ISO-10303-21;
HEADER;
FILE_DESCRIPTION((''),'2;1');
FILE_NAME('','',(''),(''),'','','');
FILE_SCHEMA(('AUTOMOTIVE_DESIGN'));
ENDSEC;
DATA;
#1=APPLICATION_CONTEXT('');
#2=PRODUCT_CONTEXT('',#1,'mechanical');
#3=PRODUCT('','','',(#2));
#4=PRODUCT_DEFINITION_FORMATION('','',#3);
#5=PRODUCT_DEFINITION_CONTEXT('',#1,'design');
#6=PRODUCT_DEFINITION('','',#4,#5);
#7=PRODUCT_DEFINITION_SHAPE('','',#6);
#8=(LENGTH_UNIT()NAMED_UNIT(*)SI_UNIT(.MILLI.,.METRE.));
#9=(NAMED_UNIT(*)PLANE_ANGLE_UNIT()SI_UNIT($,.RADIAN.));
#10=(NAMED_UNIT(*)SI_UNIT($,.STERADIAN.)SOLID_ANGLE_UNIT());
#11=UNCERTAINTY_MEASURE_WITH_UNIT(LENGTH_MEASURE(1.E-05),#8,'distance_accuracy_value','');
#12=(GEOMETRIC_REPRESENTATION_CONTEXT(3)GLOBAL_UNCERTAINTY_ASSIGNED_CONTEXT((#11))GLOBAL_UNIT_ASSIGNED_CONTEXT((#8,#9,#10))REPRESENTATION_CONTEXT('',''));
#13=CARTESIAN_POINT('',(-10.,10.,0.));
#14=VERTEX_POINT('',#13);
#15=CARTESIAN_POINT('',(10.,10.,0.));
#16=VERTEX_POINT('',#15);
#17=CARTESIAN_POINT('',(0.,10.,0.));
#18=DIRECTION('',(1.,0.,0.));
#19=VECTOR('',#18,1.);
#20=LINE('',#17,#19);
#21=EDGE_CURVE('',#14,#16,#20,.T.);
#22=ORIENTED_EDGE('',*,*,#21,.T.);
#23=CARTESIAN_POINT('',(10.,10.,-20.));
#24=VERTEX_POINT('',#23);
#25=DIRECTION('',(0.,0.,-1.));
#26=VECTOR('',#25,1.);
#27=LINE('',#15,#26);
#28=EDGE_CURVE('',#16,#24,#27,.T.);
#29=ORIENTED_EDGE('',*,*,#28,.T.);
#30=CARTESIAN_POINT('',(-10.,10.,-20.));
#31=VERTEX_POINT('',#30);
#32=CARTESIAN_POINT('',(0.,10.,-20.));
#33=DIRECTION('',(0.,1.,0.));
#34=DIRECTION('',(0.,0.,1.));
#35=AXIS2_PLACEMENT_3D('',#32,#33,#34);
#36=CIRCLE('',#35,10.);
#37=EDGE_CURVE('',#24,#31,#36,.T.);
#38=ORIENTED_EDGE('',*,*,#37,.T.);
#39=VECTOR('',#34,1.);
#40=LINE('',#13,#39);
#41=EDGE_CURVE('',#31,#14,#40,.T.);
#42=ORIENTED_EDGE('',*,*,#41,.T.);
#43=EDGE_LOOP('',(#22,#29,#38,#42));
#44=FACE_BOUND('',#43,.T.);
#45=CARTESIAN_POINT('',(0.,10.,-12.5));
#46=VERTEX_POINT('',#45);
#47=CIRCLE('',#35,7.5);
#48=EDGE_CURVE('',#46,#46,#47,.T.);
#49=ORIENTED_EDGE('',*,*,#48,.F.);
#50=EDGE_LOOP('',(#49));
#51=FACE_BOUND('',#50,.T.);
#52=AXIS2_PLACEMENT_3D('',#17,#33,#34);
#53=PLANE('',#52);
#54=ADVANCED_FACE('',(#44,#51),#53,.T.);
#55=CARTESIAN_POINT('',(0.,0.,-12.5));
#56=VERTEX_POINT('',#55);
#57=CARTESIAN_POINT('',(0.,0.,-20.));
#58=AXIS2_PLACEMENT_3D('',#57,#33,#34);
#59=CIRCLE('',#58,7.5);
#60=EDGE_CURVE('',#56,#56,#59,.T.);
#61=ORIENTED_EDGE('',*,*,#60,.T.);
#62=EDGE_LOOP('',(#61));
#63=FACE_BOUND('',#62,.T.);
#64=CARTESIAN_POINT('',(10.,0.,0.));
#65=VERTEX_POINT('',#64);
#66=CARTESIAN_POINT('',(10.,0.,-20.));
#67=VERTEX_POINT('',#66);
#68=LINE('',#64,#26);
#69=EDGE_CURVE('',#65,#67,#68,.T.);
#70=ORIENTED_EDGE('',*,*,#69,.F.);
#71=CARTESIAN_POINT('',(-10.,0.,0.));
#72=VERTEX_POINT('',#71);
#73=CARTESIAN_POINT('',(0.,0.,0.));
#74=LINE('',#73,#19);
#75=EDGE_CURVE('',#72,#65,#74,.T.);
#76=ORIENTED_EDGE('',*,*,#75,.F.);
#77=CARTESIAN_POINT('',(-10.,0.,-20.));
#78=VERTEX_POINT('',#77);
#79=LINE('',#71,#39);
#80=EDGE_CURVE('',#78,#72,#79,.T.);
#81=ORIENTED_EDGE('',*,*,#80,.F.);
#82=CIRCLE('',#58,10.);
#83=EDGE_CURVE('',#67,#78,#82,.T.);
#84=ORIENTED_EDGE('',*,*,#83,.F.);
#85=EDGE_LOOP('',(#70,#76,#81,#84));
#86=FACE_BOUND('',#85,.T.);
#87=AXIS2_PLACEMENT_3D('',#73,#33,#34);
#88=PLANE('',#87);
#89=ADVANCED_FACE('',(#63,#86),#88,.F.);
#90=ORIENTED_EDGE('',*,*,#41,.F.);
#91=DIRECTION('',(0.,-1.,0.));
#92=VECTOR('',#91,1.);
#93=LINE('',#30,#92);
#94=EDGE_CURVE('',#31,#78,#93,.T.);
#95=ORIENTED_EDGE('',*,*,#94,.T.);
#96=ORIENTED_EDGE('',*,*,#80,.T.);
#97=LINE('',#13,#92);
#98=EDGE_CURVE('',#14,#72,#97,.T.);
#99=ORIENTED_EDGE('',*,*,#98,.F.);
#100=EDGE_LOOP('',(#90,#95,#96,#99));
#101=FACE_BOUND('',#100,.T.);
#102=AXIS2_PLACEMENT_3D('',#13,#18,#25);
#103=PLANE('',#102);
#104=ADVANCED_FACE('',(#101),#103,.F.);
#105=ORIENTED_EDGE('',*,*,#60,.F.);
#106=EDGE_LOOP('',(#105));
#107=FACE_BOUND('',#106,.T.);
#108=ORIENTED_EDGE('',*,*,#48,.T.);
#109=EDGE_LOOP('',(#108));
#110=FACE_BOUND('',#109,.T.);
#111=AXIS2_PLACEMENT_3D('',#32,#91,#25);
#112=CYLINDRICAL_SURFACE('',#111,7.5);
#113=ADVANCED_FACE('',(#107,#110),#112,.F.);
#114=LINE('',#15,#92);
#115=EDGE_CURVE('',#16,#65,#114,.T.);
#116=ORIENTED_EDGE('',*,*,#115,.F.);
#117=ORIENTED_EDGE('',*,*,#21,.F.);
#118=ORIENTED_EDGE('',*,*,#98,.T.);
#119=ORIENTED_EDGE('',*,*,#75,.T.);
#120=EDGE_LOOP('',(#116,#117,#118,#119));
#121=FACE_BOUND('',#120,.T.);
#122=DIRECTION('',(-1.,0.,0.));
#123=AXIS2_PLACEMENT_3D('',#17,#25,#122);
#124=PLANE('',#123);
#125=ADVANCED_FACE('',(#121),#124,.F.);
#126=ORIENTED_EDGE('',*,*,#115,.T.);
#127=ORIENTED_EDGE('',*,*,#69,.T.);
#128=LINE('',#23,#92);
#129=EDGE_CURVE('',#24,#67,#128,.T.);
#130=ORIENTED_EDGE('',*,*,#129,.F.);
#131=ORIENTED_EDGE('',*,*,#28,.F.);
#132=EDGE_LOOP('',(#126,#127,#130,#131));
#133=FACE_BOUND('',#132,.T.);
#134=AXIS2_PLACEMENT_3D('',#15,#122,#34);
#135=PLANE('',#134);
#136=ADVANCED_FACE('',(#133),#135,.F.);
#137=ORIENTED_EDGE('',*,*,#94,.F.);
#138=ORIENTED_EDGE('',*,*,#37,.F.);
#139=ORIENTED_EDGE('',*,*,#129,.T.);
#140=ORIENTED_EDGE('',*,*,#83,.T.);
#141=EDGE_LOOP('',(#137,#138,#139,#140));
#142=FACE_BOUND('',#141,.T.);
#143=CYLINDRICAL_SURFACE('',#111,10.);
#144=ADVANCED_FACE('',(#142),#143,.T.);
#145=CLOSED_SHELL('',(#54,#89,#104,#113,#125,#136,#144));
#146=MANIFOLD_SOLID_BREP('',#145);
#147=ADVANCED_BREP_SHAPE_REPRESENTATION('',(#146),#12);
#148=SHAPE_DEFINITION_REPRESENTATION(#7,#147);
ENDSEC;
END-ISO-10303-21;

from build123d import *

# Parameters (mm, degrees)
ESQUISSE1_R        = 7.5
BOSS_EXTRU_1_DEPTH = 10


with BuildPart() as part:
    # Esquisse1 → Boss.-Extru.1 (new body)
    with BuildSketch(Plane(origin=(0, 0, 0), x_dir=(1, 0, 0), z_dir=(0, 1, 0))):
        with BuildLine():
            Line((-10, 0), (10, 0))
            Line((10, 0), (10, 20))
            ThreePointArc((10, 20), (0, 30), (-10, 20))
            Line((-10, 20), (-10, 0))
        make_face()
        with Locations(Location((0, 20, 0), (0, 0, 270))):
            Circle(ESQUISSE1_R, mode=Mode.SUBTRACT)
    extrude(amount=BOSS_EXTRU_1_DEPTH)


solid = part.part
